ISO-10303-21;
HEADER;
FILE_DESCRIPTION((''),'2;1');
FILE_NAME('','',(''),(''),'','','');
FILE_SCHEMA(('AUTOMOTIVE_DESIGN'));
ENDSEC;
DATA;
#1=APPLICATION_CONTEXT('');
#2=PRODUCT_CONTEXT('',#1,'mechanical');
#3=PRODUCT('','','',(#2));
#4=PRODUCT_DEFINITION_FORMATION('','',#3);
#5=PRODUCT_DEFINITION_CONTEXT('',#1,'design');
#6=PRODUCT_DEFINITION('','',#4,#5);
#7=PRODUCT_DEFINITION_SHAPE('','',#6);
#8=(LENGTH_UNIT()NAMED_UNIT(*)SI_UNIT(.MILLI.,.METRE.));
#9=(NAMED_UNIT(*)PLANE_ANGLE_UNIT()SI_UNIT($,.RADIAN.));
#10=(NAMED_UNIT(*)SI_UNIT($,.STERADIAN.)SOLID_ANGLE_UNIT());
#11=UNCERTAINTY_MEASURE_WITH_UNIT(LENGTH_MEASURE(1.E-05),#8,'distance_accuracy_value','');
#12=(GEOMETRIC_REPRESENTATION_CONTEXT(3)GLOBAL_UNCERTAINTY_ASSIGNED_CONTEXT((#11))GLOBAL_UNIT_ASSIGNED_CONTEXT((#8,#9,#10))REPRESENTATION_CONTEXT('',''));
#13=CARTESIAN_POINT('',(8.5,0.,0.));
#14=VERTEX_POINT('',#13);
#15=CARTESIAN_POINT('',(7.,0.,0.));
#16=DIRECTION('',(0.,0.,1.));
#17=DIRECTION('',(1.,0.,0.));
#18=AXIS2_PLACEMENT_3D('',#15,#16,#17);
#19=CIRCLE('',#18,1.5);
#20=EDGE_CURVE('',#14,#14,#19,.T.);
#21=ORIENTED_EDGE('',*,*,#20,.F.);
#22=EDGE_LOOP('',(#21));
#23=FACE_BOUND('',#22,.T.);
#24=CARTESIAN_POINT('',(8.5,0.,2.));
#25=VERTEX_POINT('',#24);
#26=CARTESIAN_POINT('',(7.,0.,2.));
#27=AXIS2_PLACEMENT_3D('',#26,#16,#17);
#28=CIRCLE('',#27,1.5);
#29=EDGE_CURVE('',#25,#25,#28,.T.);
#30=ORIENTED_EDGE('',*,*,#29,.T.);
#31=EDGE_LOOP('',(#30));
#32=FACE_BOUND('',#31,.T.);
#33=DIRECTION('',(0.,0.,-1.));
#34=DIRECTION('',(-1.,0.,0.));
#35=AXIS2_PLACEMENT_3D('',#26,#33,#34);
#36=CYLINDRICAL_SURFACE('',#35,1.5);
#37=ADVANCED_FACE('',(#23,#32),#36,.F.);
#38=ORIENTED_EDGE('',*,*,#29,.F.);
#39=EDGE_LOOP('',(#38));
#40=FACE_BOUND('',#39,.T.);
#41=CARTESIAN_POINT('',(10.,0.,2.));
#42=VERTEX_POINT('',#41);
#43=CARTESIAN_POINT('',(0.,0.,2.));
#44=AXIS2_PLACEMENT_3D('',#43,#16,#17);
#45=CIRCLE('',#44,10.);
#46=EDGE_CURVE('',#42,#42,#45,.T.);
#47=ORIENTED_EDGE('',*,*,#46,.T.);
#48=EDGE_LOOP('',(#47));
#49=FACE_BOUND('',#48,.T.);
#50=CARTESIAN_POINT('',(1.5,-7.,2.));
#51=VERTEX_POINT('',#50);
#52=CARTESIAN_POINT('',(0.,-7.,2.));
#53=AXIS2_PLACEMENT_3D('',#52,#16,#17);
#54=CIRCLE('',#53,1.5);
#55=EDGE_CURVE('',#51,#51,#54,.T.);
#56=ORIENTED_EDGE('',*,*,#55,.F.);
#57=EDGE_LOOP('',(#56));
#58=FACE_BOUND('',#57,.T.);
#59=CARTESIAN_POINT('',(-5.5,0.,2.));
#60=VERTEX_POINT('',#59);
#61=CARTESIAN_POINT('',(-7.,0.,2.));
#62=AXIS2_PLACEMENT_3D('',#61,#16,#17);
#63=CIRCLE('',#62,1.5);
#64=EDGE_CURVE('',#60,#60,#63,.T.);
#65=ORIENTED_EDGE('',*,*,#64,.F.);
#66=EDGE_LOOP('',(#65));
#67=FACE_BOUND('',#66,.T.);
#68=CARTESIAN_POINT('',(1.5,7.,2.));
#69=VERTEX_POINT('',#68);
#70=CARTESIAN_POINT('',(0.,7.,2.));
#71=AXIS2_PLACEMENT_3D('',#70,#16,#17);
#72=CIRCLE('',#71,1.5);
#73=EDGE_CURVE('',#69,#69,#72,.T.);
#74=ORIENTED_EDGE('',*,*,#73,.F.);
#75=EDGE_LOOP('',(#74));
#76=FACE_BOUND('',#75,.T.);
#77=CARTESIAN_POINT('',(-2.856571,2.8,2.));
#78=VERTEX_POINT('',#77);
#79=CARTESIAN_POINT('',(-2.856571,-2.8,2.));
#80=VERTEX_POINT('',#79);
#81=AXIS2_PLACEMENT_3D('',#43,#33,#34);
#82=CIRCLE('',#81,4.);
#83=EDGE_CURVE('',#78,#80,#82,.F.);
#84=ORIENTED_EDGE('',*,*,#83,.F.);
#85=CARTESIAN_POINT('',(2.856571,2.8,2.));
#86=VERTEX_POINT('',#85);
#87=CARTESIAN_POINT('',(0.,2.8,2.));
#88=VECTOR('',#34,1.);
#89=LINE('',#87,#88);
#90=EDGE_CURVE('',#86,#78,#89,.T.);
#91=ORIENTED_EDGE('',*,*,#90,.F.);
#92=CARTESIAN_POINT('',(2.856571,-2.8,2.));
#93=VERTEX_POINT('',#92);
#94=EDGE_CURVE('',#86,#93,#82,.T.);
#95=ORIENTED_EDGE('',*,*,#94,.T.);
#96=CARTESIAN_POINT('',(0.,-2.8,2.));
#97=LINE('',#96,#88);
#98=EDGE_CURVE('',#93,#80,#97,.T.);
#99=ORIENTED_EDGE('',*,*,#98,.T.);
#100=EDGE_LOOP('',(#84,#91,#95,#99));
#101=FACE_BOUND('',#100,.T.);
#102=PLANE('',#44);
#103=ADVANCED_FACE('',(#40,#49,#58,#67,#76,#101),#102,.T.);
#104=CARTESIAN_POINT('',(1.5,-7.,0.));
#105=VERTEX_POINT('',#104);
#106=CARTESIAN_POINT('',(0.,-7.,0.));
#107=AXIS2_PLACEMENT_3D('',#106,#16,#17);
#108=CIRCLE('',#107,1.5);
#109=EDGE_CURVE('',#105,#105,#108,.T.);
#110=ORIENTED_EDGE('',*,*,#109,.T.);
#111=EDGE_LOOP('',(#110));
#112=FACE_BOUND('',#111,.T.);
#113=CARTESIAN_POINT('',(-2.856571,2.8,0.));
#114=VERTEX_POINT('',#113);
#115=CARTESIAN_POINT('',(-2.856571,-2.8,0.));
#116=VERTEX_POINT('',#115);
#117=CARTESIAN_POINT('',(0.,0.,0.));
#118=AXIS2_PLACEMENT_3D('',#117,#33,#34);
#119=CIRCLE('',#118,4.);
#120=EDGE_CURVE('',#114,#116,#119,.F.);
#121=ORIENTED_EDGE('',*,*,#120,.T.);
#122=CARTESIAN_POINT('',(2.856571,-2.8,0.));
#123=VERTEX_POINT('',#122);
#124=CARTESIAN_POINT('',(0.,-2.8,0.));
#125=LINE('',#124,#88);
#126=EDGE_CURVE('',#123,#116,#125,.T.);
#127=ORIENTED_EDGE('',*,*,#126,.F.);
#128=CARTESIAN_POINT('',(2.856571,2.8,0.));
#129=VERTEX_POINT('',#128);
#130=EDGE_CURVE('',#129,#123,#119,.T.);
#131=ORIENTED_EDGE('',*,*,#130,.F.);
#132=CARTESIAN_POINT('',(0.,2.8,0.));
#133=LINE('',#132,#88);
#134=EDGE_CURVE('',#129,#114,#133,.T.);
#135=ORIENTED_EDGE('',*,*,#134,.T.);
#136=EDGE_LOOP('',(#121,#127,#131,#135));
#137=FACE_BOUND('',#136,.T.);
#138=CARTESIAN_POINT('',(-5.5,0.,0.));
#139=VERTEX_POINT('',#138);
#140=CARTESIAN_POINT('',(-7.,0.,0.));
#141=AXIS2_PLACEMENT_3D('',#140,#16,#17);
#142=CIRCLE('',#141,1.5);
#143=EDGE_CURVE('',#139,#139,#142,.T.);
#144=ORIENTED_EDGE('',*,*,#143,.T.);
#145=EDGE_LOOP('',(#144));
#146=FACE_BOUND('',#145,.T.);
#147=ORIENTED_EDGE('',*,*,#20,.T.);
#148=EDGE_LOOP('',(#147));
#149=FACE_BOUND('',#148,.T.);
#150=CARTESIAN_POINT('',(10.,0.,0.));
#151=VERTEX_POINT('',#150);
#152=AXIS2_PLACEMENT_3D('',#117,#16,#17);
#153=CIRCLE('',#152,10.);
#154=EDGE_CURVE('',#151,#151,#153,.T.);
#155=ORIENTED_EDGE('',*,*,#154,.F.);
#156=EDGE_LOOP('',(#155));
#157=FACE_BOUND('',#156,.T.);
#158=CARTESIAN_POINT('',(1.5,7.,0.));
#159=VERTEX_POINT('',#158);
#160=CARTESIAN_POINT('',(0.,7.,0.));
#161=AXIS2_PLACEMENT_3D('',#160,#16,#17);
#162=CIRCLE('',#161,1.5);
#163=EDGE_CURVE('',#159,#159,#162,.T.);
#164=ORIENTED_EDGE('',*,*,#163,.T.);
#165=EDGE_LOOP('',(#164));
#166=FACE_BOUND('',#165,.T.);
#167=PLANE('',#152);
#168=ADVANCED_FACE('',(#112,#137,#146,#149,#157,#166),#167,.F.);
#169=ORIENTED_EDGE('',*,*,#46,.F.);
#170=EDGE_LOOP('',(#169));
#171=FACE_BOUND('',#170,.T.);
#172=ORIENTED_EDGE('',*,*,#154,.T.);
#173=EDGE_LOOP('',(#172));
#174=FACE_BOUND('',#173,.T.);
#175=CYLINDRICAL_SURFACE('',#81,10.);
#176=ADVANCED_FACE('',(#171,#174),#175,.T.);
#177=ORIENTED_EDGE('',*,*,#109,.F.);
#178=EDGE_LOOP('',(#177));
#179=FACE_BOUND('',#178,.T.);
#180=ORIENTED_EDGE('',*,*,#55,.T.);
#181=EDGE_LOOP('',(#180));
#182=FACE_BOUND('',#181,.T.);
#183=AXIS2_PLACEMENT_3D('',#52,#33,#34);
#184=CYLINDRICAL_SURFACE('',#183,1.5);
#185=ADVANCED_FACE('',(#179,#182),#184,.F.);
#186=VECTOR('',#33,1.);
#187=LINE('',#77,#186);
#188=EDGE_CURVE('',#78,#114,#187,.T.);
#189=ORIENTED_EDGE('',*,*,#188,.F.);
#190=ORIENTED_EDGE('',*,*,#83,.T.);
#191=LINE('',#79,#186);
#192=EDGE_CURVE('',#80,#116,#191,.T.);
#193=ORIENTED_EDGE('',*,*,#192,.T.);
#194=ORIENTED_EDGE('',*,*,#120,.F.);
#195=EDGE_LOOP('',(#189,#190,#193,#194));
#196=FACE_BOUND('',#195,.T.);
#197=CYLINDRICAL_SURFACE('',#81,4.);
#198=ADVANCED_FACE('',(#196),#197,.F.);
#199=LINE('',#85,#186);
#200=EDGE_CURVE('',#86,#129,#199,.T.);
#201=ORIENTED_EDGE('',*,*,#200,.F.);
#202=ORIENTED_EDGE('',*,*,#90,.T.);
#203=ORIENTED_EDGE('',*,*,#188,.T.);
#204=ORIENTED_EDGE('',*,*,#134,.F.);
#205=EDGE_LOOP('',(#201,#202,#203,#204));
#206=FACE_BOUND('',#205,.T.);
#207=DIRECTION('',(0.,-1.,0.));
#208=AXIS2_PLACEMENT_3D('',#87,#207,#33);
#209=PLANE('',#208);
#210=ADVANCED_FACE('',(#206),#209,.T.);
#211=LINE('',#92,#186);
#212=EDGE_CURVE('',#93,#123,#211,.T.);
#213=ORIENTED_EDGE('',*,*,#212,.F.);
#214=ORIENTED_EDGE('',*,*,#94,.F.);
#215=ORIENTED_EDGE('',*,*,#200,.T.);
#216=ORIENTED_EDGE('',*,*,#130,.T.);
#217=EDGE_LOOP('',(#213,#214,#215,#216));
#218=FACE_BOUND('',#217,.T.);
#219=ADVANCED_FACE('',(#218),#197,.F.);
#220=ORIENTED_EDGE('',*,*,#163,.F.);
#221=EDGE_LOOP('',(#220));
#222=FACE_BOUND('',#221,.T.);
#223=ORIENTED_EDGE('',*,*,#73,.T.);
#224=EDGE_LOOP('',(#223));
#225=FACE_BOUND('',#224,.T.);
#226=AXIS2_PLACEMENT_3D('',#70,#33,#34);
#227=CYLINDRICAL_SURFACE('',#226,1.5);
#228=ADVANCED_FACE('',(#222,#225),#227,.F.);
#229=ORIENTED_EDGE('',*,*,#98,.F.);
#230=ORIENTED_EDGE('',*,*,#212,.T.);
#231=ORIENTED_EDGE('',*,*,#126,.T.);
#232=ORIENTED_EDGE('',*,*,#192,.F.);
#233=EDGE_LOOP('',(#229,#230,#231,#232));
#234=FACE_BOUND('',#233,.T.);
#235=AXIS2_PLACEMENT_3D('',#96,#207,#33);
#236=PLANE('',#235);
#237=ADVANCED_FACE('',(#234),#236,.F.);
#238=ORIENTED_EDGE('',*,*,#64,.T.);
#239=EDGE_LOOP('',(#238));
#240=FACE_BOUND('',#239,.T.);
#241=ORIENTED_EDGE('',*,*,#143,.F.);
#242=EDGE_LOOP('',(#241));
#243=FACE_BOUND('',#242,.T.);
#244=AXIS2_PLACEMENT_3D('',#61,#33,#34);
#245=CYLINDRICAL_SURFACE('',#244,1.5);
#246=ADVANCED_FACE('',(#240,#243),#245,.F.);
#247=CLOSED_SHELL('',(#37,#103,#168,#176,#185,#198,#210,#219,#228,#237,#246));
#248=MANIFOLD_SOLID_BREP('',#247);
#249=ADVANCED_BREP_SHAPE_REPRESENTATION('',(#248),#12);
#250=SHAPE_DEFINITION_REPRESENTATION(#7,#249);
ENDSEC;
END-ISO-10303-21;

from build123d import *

# Parameters (mm, degrees)
SKETCH_1_R          = 10
SKETCH_1_R_2        = 1.5
EXTRUDE_1_DEPTH     = 2
CUT_EXTRUDE_1_DEPTH = 15.282856857


with BuildPart() as part:
    # 草图1 → 凸台-拉伸1 (new body)
    with BuildSketch(Plane.XY):
        Circle(SKETCH_1_R)
        with Locations((0, 7)):
            Circle(SKETCH_1_R_2, mode=Mode.SUBTRACT)
        with Locations((7, 0)):
            Circle(SKETCH_1_R_2, mode=Mode.SUBTRACT)
        with Locations((-7, 0)):
            Circle(SKETCH_1_R_2, mode=Mode.SUBTRACT)
        with Locations((0, -7)):
            Circle(SKETCH_1_R_2, mode=Mode.SUBTRACT)
    extrude(amount=EXTRUDE_1_DEPTH)

    # 草图2 → 切除-拉伸1 (cut, through all)
    with BuildSketch(Plane(origin=(0, 0, 0), x_dir=(-1, 0, 0), z_dir=(0, 0, -1))):
        with BuildLine():
            Line((-2.856571371, 2.8), (2.856571371, 2.8))
            ThreePointArc((2.856571371, 2.8), (4, 0), (2.856571371, -2.8))
            Line((2.856571371, -2.8), (-2.856571371, -2.8))
            ThreePointArc((-2.856571371, -2.8), (-4, 0), (-2.856571371, 2.8))
        make_face()
    extrude(amount=-CUT_EXTRUDE_1_DEPTH, mode=Mode.SUBTRACT)


solid = part.part
